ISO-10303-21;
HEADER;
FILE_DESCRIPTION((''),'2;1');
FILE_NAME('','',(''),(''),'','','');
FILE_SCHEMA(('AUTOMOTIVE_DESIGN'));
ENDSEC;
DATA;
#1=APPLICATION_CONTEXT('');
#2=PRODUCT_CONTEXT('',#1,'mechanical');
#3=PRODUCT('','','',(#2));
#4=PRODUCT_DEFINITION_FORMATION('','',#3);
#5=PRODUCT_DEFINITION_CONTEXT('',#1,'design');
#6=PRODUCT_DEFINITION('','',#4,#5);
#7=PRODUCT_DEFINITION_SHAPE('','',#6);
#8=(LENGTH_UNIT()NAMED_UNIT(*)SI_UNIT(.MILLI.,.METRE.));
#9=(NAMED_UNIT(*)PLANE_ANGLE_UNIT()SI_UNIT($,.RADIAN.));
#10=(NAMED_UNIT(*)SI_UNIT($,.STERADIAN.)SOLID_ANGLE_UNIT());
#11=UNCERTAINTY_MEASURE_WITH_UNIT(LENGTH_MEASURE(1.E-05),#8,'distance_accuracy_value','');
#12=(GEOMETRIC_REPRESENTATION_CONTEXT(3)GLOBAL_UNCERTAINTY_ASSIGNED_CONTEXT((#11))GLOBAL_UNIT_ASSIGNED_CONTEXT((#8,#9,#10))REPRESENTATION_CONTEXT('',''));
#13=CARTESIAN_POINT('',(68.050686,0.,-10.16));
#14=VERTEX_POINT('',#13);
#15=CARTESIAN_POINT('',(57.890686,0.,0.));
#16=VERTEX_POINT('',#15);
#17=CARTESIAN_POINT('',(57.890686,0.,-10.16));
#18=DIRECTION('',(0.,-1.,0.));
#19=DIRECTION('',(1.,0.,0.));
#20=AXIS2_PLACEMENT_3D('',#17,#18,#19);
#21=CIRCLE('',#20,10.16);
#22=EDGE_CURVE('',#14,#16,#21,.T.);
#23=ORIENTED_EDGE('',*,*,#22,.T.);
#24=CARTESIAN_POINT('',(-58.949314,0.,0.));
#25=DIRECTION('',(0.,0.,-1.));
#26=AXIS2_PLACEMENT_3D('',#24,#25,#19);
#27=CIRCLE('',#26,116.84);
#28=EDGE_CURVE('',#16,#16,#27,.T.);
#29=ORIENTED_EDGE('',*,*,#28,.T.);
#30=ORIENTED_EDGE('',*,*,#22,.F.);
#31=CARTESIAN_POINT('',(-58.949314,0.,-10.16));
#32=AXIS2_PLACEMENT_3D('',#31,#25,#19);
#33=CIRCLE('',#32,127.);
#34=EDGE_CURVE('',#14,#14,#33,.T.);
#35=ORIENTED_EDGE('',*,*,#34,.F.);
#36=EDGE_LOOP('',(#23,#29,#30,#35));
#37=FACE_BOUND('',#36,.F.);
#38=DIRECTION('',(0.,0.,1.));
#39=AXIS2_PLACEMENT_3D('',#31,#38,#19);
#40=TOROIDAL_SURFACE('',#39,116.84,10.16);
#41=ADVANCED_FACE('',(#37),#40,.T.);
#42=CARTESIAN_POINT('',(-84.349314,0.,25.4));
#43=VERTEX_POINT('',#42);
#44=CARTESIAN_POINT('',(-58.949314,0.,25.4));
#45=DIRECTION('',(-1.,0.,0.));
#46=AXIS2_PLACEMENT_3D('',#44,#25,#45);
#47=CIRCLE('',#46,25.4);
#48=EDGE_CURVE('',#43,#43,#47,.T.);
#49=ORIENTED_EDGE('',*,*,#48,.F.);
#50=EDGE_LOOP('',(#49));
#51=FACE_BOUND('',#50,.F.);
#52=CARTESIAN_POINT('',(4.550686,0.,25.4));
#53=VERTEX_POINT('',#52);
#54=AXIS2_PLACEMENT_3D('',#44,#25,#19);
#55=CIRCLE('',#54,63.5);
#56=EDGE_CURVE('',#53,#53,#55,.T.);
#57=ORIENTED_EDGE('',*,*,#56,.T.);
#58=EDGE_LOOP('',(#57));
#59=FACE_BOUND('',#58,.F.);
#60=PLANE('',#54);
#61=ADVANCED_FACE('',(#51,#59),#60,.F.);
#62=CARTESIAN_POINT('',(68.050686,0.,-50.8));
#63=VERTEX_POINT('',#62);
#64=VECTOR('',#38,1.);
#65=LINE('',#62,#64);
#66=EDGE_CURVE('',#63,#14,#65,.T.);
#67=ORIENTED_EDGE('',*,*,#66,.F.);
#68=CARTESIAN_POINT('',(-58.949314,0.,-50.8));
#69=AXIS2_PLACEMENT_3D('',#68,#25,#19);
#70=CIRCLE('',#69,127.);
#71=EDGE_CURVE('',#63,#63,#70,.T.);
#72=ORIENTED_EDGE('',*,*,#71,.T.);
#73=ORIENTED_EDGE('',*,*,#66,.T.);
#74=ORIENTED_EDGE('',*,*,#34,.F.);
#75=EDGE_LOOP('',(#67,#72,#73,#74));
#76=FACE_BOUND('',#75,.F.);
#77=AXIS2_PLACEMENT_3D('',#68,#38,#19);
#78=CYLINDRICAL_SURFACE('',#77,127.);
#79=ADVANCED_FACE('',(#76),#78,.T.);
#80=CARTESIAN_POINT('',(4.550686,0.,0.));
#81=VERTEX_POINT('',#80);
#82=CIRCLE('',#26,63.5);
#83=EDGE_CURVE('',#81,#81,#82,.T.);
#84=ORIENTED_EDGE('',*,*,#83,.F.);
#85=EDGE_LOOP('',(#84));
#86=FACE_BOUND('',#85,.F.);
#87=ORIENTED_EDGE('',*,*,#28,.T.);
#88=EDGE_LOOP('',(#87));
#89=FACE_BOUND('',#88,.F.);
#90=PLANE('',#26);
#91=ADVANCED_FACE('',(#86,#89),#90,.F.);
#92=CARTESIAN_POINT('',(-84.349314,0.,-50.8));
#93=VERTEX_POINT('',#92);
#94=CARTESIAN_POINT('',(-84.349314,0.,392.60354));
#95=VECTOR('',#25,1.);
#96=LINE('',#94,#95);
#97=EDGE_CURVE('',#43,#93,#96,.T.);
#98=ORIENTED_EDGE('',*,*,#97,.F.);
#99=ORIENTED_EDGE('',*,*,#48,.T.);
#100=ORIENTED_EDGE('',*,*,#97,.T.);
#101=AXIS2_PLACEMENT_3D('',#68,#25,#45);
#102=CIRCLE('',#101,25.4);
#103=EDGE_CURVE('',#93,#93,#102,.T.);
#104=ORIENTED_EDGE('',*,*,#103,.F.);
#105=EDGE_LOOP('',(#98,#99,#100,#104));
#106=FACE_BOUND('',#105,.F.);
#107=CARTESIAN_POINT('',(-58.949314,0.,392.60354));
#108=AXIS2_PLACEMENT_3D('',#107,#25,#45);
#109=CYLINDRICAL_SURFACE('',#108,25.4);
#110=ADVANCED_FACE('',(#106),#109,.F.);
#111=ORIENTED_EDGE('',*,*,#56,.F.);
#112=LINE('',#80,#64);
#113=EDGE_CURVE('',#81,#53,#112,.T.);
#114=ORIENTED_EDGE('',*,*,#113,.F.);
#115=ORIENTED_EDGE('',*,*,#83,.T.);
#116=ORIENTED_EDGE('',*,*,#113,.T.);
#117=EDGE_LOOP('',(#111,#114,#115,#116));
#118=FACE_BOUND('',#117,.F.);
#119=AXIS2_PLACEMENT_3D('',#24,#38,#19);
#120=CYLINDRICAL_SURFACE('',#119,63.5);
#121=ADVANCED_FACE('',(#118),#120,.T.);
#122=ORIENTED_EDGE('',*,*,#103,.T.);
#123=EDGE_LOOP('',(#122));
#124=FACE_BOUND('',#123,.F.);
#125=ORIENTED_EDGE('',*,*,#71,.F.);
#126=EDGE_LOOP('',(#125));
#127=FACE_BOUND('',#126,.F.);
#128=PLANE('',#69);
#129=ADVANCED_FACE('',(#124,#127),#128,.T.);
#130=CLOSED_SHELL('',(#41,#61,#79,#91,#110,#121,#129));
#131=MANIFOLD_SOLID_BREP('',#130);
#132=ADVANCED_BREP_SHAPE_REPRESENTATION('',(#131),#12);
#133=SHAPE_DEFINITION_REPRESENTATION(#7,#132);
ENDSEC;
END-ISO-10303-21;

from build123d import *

# Parameters (mm, degrees)
F3_D = 50.8
F4_R = 10.16


with BuildPart() as f1:
    # F0 (on Front) → F1 (revolve)
    with BuildSketch(Plane.XZ):
        Polygon((-58.9493140578, 25.4), (-58.9493140578, -50.8), (68.0506859422, -50.8), (68.0506859422, 0), (4.5506859422, 0), (4.5506859422, 25.4), align=None)
    revolve(axis=Axis((-58.9493140578, 0, -12.7), (0, 0, -1)))

    # F3 (through all)
    with Locations(Plane.XY.offset(25.4)):
        with Locations((-58.9493140578, 0)):
            Hole(F3_D / 2)

    # F4
    f4_edges = [f1.edges().sort_by_distance(p)[0] for p in [
        (-185.949314, 0, 0),
    ]]
    fillet(f4_edges, radius=F4_R)


solid = f1.part
